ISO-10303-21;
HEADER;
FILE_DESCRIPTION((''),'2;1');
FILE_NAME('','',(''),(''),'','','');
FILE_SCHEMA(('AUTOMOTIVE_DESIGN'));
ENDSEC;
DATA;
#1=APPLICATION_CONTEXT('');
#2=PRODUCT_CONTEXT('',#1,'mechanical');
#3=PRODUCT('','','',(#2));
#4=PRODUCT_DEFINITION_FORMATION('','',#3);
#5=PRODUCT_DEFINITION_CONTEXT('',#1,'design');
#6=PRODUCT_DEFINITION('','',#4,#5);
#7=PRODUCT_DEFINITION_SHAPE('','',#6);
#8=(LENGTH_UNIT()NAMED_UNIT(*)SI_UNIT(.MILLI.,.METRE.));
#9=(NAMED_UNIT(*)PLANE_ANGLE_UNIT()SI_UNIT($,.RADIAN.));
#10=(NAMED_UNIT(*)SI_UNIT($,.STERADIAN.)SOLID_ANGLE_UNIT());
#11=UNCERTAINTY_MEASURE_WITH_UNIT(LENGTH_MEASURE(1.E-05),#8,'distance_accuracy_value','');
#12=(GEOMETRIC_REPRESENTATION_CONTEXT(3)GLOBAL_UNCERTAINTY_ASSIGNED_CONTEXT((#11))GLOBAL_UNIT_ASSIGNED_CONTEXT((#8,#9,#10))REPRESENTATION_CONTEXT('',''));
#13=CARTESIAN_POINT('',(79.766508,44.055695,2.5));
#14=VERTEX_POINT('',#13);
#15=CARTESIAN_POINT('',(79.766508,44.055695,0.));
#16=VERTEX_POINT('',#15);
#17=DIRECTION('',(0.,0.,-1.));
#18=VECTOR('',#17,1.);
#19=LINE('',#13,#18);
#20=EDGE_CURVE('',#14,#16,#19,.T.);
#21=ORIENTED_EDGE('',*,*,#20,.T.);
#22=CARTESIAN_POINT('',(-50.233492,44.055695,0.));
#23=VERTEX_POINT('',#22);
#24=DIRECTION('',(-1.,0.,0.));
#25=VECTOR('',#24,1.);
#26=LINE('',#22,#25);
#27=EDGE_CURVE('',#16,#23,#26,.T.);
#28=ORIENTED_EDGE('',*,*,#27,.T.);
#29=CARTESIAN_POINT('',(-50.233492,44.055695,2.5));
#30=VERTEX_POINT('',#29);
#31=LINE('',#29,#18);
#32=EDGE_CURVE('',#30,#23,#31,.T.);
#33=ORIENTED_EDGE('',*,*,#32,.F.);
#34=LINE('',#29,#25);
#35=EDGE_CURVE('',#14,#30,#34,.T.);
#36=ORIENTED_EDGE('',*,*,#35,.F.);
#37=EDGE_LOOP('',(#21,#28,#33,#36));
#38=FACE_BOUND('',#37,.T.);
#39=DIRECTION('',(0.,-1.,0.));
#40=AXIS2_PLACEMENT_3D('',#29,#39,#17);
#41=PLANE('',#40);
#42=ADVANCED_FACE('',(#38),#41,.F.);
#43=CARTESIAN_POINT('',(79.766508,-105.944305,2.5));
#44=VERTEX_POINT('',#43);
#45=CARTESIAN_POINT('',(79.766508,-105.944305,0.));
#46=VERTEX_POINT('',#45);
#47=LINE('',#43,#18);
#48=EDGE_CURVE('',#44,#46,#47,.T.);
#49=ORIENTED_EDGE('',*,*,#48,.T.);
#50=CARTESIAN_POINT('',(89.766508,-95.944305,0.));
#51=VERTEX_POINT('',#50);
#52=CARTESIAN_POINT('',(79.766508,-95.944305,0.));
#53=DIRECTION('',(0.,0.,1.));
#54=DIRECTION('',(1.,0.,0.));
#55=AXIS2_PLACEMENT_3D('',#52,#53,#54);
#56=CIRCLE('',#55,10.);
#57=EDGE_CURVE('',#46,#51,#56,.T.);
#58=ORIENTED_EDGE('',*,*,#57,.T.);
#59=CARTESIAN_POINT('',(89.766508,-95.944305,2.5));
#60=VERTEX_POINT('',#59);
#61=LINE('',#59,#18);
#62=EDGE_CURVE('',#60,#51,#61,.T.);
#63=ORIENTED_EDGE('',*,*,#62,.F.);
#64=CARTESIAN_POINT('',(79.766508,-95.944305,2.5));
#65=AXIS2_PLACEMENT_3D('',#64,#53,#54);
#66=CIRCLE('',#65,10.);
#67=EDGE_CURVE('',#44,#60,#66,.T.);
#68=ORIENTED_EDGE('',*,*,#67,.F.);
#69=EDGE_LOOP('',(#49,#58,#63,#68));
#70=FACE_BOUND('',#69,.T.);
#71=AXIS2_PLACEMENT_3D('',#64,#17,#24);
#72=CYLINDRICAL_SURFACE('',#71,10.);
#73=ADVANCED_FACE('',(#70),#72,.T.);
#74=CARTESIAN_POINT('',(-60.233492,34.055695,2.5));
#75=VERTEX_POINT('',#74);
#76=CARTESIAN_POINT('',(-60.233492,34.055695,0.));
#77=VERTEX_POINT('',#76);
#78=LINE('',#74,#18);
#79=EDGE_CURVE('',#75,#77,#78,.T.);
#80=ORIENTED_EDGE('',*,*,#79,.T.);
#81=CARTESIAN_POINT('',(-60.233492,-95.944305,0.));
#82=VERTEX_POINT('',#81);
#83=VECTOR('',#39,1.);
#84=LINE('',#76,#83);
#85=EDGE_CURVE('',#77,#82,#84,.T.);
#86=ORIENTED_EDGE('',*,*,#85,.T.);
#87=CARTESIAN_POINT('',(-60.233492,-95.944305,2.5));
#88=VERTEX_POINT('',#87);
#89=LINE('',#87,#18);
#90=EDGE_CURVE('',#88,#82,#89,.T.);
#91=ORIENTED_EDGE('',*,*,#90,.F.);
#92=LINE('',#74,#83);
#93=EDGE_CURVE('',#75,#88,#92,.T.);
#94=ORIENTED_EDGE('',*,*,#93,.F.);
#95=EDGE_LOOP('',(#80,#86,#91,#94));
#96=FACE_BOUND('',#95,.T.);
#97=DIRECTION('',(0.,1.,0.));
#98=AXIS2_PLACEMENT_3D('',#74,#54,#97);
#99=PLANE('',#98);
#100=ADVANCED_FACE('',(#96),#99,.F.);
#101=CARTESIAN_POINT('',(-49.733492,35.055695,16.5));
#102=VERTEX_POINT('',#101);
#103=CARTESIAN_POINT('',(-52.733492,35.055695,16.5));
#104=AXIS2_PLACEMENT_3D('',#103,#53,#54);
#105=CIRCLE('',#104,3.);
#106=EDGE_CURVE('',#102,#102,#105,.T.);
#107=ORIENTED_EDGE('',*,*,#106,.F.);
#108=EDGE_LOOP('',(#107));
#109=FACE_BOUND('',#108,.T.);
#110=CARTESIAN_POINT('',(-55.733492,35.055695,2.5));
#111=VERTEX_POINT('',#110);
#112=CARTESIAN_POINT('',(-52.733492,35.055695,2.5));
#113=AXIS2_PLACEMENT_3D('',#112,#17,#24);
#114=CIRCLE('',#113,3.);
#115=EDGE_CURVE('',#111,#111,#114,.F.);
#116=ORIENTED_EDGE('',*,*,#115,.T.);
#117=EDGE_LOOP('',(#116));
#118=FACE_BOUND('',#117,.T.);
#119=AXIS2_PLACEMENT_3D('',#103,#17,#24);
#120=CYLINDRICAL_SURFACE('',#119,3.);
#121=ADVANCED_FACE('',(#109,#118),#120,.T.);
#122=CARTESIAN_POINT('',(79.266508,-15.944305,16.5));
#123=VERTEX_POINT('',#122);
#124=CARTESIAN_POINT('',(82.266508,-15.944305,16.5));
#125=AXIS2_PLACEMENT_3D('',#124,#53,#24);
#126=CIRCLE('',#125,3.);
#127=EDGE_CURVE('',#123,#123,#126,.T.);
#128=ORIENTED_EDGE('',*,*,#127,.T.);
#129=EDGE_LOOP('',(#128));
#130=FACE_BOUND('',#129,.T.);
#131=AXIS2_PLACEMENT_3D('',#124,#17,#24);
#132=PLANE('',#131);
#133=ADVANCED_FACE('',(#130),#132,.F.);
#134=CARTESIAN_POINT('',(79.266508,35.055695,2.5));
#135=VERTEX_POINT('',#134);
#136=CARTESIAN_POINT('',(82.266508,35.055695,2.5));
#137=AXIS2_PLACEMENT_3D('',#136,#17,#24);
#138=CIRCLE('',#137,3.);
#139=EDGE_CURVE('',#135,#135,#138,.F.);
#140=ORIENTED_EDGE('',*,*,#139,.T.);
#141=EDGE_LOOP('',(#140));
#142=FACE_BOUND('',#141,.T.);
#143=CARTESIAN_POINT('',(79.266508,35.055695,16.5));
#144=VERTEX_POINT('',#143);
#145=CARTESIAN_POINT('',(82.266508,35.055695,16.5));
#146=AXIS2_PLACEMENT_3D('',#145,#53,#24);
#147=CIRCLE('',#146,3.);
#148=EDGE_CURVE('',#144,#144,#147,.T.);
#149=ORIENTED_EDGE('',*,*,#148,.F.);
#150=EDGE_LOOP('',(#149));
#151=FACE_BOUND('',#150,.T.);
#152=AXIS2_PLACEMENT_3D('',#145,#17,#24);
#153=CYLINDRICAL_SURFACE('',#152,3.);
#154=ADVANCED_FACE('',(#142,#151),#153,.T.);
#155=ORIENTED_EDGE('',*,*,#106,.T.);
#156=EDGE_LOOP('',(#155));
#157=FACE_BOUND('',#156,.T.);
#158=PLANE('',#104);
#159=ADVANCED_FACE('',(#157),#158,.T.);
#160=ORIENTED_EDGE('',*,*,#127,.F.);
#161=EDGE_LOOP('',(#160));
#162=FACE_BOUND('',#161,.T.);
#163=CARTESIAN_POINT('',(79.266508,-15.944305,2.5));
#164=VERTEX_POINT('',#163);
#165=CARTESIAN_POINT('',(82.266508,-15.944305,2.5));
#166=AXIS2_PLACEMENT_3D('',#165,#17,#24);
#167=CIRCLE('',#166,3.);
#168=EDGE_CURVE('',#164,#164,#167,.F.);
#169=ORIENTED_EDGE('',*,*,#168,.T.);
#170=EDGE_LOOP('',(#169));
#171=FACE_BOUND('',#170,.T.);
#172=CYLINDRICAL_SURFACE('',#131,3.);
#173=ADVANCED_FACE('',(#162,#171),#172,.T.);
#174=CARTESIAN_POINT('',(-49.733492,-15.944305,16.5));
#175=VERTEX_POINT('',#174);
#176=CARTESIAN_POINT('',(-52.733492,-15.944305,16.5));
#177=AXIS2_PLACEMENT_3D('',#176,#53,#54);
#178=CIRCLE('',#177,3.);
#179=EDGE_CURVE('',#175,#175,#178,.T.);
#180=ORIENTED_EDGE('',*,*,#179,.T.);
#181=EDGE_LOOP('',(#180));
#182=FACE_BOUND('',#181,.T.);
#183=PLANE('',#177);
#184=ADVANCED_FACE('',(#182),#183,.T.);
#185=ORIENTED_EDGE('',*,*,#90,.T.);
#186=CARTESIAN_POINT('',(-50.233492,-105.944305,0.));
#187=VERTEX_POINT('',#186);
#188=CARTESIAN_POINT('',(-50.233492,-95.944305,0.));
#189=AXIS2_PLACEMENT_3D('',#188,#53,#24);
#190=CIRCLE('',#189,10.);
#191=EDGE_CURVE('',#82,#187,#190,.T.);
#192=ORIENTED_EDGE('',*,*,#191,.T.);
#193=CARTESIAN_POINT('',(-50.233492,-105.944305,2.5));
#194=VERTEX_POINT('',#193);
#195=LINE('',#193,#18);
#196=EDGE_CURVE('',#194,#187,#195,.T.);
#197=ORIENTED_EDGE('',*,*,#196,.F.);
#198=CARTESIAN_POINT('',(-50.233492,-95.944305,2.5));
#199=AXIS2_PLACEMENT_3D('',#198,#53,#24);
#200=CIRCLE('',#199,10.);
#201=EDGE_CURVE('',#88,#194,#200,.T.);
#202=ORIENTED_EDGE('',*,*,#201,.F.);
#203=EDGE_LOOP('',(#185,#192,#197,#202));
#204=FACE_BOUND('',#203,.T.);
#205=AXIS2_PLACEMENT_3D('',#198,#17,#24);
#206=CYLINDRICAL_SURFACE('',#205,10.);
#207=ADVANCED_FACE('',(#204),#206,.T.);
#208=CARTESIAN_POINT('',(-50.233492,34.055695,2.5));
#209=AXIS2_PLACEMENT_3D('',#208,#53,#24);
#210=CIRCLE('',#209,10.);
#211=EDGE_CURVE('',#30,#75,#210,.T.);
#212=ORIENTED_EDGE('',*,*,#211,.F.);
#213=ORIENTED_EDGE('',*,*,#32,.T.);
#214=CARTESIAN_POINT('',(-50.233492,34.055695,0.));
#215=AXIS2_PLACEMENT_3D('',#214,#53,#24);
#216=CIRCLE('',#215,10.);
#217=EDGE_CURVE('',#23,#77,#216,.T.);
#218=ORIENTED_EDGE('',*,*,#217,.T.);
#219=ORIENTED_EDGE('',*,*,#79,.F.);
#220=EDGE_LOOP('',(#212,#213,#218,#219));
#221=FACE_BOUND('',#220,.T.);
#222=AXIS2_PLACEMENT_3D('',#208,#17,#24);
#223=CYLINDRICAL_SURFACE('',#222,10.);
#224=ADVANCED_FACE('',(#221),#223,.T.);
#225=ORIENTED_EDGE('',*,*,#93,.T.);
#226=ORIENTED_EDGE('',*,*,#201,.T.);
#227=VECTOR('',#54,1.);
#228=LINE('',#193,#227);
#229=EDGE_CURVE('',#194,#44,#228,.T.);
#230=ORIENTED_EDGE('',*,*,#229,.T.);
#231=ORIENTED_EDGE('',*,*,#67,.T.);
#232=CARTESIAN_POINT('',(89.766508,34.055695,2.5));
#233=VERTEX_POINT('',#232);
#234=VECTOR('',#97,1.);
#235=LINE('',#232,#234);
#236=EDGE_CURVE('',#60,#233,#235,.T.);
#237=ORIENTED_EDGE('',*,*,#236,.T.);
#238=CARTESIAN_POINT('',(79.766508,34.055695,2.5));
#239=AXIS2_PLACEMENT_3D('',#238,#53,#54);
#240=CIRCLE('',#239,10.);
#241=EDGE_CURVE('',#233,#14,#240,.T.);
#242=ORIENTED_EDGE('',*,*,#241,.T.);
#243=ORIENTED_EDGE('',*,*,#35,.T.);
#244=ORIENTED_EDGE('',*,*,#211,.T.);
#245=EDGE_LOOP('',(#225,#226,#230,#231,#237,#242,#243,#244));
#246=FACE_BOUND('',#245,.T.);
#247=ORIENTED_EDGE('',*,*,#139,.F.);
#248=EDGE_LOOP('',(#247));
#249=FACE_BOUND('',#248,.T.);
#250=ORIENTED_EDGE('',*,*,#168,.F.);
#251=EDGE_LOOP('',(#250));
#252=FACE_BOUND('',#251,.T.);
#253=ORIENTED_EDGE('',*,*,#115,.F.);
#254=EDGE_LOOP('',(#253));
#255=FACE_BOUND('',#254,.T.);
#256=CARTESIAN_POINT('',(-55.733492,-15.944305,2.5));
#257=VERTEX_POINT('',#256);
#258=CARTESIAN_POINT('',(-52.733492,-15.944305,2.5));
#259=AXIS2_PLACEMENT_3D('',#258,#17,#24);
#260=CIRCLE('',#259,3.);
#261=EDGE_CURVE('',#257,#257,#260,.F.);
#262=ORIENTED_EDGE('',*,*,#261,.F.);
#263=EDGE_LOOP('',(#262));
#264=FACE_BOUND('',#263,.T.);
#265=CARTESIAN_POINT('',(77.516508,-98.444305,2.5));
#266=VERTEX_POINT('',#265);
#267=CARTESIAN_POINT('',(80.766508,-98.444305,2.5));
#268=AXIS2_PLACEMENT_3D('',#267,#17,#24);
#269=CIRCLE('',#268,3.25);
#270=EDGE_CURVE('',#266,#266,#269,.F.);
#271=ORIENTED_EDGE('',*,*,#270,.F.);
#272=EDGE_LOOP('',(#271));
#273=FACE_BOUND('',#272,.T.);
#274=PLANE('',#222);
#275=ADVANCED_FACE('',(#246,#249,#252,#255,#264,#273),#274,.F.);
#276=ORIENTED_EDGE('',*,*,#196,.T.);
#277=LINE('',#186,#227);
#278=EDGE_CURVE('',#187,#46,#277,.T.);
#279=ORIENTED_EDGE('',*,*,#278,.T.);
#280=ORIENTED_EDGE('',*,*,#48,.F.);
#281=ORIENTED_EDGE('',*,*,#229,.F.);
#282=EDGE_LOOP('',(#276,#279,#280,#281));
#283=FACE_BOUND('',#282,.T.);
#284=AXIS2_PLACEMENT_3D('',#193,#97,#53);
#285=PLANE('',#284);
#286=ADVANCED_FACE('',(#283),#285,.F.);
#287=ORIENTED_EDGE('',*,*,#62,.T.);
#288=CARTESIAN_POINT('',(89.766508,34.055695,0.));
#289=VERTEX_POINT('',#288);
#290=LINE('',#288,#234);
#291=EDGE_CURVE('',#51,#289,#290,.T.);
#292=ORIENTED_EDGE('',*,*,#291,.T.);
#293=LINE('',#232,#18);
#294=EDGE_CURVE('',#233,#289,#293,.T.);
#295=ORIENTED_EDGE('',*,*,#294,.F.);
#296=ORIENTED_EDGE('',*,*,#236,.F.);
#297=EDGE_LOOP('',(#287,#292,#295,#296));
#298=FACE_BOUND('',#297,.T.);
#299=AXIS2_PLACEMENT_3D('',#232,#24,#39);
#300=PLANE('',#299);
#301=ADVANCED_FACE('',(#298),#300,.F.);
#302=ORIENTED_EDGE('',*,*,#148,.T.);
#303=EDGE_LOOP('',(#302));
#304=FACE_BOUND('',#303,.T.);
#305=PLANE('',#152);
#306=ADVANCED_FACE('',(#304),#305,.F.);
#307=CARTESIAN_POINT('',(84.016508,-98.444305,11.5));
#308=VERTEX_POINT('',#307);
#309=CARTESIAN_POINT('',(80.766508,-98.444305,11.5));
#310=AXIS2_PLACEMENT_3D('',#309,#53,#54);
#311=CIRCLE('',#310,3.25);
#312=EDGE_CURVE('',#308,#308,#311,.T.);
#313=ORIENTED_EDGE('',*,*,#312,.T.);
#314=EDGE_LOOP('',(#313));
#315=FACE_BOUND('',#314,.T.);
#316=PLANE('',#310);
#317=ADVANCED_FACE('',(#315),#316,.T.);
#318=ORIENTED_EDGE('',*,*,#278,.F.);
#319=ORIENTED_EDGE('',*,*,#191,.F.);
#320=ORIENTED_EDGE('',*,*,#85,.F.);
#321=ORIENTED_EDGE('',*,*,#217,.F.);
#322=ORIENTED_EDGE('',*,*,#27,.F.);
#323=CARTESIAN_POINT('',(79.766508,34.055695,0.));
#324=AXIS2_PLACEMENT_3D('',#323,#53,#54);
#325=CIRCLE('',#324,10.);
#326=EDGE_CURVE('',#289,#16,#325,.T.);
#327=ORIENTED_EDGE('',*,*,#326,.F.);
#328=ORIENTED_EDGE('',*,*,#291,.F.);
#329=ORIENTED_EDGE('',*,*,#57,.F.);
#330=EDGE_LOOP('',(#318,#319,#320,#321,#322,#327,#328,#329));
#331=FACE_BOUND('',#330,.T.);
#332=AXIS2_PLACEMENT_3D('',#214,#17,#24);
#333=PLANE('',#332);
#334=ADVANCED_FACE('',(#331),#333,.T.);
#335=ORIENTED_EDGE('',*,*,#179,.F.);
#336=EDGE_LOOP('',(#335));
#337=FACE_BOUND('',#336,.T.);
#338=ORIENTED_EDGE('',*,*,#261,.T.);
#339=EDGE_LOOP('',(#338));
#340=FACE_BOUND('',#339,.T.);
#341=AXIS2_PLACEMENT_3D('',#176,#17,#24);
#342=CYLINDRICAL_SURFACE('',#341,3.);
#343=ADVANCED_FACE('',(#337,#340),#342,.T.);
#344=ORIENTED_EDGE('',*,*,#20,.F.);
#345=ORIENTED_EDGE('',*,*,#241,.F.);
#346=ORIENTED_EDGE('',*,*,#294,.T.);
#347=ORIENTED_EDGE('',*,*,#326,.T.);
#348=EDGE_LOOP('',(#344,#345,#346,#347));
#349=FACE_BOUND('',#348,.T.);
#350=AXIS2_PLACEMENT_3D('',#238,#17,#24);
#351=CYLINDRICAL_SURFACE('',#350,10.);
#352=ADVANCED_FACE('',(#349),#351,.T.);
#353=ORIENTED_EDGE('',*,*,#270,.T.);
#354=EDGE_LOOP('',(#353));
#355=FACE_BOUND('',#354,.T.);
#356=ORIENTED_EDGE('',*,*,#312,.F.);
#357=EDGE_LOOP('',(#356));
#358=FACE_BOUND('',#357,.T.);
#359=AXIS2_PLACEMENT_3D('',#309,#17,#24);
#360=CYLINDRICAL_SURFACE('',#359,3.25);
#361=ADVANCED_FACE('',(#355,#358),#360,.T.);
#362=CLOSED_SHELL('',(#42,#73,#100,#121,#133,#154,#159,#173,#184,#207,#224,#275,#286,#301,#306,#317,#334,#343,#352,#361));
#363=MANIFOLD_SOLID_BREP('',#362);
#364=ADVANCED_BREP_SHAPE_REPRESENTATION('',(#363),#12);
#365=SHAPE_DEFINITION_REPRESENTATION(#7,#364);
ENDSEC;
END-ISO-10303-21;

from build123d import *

# Parameters (mm, degrees)
BOSS_EXTRUDE1_DEPTH = 2.5
SKETCH3_R           = 3
BOSS_EXTRUDE2_DEPTH = 14
SKETCH4_R           = 3.25
BOSS_EXTRUDE3_DEPTH = 9


with BuildPart() as part:
    # Sketch2 → Boss-Extrude1 (new body)
    with BuildSketch(Plane.XY):
        with BuildLine():
            Line((-50.233491964, 44.055695146), (79.766508036, 44.055695146))
            ThreePointArc((79.766508036, 44.055695146), (86.837575848, 41.126762958), (89.766508036, 34.055695146))
            Line((89.766508036, 34.055695146), (89.766508036, -95.944304854))
            ThreePointArc((89.766508036, -95.944304854), (86.837575848, -103.015372665), (79.766508036, -105.944304854))
            Line((79.766508036, -105.944304854), (-50.233491964, -105.944304854))
            ThreePointArc((-50.233491964, -105.944304854), (-57.304559776, -103.015372665), (-60.233491964, -95.944304854))
            Line((-60.233491964, -95.944304854), (-60.233491964, 34.055695146))
            ThreePointArc((-60.233491964, 34.055695146), (-57.304559776, 41.126762958), (-50.233491964, 44.055695146))
        make_face()
    extrude(amount=BOSS_EXTRUDE1_DEPTH)

    # Sketch3 → Boss-Extrude2 (add)
    with BuildSketch(Plane.XY.offset(2.5)):
        with Locations((-52.733491964, 35.055695146)):
            Circle(SKETCH3_R)
        with Locations((-52.733491964, -15.944304854)):
            Circle(SKETCH3_R)
        with Locations((82.266508036, -15.944304854)):
            Circle(SKETCH3_R)
        with Locations((82.266508036, 35.055695146)):
            Circle(SKETCH3_R)
    extrude(amount=BOSS_EXTRUDE2_DEPTH)

    # Sketch4 → Boss-Extrude3 (add)
    with BuildSketch(Plane.XY.offset(2.5)):
        with Locations((80.766508036, -98.444304854)):
            Circle(SKETCH4_R)
    extrude(amount=BOSS_EXTRUDE3_DEPTH)


solid = part.part
